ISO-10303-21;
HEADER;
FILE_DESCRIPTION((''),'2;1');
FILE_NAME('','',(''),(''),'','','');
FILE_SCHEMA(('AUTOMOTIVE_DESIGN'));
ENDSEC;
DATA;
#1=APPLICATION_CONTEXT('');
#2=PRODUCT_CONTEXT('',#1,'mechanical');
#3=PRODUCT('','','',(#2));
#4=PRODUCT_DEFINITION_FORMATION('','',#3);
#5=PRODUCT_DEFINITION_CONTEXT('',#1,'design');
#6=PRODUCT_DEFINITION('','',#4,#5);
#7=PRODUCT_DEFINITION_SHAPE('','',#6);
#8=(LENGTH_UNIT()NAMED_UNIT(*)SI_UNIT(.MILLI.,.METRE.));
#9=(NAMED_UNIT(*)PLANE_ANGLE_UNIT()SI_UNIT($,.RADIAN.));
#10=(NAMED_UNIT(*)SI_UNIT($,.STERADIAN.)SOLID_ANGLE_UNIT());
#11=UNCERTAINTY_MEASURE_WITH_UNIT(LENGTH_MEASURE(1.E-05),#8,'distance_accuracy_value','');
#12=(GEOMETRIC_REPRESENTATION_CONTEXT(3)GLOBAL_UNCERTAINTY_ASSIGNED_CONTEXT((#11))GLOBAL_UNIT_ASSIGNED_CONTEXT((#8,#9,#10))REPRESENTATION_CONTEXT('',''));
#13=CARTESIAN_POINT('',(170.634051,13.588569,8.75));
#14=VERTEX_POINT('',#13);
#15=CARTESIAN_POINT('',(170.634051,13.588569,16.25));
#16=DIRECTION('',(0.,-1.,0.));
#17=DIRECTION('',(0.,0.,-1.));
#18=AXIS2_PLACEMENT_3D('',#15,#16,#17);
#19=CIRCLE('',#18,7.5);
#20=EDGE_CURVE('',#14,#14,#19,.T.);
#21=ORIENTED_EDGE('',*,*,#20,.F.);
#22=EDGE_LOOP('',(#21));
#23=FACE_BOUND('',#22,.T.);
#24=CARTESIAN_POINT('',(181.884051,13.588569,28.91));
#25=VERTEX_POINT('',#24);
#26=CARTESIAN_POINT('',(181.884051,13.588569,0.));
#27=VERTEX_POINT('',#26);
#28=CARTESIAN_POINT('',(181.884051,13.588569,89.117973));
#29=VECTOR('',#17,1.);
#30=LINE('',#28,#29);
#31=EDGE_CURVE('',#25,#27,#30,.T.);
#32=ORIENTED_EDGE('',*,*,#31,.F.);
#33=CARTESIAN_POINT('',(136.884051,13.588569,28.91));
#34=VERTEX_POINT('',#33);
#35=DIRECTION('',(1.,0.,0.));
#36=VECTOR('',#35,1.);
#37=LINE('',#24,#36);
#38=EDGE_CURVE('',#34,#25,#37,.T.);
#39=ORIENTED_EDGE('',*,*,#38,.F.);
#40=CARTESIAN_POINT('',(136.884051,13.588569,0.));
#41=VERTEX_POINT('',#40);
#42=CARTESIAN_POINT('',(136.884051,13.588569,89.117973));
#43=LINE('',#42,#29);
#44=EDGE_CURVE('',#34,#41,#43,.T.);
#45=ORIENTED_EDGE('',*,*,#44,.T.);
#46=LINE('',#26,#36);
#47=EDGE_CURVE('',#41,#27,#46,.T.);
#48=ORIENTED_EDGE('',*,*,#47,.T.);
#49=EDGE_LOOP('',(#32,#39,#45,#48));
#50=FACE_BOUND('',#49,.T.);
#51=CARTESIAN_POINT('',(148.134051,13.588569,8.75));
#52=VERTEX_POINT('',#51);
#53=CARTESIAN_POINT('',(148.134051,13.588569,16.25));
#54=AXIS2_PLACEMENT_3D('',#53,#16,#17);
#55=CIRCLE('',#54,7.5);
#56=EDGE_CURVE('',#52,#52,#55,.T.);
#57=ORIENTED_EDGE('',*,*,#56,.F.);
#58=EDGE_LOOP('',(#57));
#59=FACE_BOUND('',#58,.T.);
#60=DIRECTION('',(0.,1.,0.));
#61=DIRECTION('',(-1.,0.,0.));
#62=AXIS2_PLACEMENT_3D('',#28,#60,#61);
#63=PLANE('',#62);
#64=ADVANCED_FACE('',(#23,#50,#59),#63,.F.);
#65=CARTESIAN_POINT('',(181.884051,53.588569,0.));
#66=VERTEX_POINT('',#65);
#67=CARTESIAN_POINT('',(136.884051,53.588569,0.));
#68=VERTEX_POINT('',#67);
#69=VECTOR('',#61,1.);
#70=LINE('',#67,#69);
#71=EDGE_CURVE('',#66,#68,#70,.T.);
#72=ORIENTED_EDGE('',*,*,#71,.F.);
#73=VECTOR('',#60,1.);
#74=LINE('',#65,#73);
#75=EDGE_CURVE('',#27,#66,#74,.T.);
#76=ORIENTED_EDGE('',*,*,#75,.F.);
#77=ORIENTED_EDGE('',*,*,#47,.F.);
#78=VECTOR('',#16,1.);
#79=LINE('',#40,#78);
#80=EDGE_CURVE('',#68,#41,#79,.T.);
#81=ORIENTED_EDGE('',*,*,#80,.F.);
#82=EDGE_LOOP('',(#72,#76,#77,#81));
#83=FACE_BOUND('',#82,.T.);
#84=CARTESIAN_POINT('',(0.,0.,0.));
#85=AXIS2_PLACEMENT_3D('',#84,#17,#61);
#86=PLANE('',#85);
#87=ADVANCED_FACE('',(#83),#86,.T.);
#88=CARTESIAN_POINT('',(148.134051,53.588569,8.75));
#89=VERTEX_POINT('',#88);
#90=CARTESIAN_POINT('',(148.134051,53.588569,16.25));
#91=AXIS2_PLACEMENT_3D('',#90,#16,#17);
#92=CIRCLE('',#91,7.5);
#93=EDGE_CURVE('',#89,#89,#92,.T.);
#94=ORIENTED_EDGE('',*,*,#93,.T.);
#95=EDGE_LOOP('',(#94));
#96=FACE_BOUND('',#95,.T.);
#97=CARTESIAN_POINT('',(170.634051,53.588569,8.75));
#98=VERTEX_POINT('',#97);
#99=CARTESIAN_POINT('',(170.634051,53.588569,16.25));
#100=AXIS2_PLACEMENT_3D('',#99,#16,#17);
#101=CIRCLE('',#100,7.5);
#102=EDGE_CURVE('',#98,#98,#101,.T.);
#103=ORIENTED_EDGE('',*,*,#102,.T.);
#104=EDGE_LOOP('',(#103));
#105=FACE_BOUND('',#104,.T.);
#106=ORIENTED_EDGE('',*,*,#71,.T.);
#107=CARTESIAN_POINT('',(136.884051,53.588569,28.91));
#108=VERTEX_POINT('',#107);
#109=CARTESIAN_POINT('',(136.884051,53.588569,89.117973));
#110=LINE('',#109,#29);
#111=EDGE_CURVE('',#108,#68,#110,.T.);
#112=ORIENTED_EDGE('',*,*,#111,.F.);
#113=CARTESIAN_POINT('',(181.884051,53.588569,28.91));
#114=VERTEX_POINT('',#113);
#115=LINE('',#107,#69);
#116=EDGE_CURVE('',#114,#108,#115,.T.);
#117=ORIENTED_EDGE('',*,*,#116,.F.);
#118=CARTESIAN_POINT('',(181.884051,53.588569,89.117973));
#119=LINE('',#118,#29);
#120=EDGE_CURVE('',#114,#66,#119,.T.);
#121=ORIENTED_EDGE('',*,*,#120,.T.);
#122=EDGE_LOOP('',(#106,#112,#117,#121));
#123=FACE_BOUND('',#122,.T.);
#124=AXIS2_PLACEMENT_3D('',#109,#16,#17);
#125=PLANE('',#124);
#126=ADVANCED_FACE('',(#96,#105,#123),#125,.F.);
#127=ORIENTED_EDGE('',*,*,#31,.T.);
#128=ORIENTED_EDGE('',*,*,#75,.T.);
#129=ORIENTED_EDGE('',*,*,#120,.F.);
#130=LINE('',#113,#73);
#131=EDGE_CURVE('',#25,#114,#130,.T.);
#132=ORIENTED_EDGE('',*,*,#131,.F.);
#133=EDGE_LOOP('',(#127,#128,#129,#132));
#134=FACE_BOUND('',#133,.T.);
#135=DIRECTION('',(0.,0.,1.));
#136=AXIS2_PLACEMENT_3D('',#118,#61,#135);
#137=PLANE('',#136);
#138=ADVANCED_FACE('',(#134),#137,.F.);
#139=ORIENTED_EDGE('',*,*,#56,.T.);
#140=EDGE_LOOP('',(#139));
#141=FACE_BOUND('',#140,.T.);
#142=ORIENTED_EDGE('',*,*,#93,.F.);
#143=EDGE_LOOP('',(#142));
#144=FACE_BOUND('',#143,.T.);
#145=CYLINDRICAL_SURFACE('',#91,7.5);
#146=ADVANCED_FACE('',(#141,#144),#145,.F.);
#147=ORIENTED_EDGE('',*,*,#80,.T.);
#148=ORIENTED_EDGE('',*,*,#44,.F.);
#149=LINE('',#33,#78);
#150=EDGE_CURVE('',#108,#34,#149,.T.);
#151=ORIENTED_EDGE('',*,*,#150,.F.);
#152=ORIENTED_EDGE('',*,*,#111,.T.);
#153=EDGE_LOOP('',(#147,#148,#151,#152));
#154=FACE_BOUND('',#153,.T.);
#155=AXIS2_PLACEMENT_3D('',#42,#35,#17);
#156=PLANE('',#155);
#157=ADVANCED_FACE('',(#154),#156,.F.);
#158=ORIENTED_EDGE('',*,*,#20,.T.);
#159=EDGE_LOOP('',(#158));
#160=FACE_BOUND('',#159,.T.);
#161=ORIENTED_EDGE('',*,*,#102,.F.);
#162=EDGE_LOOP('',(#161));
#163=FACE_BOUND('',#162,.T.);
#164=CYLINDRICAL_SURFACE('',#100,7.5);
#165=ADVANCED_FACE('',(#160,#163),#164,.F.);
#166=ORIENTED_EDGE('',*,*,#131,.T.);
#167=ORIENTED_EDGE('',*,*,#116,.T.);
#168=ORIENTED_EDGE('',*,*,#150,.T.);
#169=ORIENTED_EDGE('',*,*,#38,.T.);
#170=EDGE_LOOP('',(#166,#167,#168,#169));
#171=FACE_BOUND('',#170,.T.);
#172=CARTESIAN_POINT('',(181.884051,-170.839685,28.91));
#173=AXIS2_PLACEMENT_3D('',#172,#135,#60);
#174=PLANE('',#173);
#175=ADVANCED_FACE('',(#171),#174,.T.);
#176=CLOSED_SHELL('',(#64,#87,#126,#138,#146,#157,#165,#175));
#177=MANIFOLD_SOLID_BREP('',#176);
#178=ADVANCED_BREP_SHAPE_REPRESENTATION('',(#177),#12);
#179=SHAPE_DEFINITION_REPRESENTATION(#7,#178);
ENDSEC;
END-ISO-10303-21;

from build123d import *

# Parameters (mm, degrees)
SKETCH1_W           = 45
SKETCH1_H           = 40
BOSS_EXTRUDE1_DEPTH = 28.91
SKETCH2_R           = 7.5
CUT_EXTRUDE1_DEPTH  = 189.461126468


with BuildPart() as part:
    # Sketch1 → Boss-Extrude1 (new body)
    with BuildSketch(Plane.XY):
        with Locations((159.384051224, 33.588569403)):
            Rectangle(SKETCH1_W, SKETCH1_H)
    extrude(amount=BOSS_EXTRUDE1_DEPTH)

    # Sketch2 → Cut-Extrude1 (cut, through all)
    with BuildSketch(Plane.XZ.offset(-13.588569403)):
        with Locations(Location((148.134051224, 16.25, 0), (0, 0, 270))):
            Circle(SKETCH2_R)
        with Locations(Location((170.634051224, 16.25, 0), (0, 0, 270))):
            Circle(SKETCH2_R)
    extrude(amount=-CUT_EXTRUDE1_DEPTH, mode=Mode.SUBTRACT)


solid = part.part
